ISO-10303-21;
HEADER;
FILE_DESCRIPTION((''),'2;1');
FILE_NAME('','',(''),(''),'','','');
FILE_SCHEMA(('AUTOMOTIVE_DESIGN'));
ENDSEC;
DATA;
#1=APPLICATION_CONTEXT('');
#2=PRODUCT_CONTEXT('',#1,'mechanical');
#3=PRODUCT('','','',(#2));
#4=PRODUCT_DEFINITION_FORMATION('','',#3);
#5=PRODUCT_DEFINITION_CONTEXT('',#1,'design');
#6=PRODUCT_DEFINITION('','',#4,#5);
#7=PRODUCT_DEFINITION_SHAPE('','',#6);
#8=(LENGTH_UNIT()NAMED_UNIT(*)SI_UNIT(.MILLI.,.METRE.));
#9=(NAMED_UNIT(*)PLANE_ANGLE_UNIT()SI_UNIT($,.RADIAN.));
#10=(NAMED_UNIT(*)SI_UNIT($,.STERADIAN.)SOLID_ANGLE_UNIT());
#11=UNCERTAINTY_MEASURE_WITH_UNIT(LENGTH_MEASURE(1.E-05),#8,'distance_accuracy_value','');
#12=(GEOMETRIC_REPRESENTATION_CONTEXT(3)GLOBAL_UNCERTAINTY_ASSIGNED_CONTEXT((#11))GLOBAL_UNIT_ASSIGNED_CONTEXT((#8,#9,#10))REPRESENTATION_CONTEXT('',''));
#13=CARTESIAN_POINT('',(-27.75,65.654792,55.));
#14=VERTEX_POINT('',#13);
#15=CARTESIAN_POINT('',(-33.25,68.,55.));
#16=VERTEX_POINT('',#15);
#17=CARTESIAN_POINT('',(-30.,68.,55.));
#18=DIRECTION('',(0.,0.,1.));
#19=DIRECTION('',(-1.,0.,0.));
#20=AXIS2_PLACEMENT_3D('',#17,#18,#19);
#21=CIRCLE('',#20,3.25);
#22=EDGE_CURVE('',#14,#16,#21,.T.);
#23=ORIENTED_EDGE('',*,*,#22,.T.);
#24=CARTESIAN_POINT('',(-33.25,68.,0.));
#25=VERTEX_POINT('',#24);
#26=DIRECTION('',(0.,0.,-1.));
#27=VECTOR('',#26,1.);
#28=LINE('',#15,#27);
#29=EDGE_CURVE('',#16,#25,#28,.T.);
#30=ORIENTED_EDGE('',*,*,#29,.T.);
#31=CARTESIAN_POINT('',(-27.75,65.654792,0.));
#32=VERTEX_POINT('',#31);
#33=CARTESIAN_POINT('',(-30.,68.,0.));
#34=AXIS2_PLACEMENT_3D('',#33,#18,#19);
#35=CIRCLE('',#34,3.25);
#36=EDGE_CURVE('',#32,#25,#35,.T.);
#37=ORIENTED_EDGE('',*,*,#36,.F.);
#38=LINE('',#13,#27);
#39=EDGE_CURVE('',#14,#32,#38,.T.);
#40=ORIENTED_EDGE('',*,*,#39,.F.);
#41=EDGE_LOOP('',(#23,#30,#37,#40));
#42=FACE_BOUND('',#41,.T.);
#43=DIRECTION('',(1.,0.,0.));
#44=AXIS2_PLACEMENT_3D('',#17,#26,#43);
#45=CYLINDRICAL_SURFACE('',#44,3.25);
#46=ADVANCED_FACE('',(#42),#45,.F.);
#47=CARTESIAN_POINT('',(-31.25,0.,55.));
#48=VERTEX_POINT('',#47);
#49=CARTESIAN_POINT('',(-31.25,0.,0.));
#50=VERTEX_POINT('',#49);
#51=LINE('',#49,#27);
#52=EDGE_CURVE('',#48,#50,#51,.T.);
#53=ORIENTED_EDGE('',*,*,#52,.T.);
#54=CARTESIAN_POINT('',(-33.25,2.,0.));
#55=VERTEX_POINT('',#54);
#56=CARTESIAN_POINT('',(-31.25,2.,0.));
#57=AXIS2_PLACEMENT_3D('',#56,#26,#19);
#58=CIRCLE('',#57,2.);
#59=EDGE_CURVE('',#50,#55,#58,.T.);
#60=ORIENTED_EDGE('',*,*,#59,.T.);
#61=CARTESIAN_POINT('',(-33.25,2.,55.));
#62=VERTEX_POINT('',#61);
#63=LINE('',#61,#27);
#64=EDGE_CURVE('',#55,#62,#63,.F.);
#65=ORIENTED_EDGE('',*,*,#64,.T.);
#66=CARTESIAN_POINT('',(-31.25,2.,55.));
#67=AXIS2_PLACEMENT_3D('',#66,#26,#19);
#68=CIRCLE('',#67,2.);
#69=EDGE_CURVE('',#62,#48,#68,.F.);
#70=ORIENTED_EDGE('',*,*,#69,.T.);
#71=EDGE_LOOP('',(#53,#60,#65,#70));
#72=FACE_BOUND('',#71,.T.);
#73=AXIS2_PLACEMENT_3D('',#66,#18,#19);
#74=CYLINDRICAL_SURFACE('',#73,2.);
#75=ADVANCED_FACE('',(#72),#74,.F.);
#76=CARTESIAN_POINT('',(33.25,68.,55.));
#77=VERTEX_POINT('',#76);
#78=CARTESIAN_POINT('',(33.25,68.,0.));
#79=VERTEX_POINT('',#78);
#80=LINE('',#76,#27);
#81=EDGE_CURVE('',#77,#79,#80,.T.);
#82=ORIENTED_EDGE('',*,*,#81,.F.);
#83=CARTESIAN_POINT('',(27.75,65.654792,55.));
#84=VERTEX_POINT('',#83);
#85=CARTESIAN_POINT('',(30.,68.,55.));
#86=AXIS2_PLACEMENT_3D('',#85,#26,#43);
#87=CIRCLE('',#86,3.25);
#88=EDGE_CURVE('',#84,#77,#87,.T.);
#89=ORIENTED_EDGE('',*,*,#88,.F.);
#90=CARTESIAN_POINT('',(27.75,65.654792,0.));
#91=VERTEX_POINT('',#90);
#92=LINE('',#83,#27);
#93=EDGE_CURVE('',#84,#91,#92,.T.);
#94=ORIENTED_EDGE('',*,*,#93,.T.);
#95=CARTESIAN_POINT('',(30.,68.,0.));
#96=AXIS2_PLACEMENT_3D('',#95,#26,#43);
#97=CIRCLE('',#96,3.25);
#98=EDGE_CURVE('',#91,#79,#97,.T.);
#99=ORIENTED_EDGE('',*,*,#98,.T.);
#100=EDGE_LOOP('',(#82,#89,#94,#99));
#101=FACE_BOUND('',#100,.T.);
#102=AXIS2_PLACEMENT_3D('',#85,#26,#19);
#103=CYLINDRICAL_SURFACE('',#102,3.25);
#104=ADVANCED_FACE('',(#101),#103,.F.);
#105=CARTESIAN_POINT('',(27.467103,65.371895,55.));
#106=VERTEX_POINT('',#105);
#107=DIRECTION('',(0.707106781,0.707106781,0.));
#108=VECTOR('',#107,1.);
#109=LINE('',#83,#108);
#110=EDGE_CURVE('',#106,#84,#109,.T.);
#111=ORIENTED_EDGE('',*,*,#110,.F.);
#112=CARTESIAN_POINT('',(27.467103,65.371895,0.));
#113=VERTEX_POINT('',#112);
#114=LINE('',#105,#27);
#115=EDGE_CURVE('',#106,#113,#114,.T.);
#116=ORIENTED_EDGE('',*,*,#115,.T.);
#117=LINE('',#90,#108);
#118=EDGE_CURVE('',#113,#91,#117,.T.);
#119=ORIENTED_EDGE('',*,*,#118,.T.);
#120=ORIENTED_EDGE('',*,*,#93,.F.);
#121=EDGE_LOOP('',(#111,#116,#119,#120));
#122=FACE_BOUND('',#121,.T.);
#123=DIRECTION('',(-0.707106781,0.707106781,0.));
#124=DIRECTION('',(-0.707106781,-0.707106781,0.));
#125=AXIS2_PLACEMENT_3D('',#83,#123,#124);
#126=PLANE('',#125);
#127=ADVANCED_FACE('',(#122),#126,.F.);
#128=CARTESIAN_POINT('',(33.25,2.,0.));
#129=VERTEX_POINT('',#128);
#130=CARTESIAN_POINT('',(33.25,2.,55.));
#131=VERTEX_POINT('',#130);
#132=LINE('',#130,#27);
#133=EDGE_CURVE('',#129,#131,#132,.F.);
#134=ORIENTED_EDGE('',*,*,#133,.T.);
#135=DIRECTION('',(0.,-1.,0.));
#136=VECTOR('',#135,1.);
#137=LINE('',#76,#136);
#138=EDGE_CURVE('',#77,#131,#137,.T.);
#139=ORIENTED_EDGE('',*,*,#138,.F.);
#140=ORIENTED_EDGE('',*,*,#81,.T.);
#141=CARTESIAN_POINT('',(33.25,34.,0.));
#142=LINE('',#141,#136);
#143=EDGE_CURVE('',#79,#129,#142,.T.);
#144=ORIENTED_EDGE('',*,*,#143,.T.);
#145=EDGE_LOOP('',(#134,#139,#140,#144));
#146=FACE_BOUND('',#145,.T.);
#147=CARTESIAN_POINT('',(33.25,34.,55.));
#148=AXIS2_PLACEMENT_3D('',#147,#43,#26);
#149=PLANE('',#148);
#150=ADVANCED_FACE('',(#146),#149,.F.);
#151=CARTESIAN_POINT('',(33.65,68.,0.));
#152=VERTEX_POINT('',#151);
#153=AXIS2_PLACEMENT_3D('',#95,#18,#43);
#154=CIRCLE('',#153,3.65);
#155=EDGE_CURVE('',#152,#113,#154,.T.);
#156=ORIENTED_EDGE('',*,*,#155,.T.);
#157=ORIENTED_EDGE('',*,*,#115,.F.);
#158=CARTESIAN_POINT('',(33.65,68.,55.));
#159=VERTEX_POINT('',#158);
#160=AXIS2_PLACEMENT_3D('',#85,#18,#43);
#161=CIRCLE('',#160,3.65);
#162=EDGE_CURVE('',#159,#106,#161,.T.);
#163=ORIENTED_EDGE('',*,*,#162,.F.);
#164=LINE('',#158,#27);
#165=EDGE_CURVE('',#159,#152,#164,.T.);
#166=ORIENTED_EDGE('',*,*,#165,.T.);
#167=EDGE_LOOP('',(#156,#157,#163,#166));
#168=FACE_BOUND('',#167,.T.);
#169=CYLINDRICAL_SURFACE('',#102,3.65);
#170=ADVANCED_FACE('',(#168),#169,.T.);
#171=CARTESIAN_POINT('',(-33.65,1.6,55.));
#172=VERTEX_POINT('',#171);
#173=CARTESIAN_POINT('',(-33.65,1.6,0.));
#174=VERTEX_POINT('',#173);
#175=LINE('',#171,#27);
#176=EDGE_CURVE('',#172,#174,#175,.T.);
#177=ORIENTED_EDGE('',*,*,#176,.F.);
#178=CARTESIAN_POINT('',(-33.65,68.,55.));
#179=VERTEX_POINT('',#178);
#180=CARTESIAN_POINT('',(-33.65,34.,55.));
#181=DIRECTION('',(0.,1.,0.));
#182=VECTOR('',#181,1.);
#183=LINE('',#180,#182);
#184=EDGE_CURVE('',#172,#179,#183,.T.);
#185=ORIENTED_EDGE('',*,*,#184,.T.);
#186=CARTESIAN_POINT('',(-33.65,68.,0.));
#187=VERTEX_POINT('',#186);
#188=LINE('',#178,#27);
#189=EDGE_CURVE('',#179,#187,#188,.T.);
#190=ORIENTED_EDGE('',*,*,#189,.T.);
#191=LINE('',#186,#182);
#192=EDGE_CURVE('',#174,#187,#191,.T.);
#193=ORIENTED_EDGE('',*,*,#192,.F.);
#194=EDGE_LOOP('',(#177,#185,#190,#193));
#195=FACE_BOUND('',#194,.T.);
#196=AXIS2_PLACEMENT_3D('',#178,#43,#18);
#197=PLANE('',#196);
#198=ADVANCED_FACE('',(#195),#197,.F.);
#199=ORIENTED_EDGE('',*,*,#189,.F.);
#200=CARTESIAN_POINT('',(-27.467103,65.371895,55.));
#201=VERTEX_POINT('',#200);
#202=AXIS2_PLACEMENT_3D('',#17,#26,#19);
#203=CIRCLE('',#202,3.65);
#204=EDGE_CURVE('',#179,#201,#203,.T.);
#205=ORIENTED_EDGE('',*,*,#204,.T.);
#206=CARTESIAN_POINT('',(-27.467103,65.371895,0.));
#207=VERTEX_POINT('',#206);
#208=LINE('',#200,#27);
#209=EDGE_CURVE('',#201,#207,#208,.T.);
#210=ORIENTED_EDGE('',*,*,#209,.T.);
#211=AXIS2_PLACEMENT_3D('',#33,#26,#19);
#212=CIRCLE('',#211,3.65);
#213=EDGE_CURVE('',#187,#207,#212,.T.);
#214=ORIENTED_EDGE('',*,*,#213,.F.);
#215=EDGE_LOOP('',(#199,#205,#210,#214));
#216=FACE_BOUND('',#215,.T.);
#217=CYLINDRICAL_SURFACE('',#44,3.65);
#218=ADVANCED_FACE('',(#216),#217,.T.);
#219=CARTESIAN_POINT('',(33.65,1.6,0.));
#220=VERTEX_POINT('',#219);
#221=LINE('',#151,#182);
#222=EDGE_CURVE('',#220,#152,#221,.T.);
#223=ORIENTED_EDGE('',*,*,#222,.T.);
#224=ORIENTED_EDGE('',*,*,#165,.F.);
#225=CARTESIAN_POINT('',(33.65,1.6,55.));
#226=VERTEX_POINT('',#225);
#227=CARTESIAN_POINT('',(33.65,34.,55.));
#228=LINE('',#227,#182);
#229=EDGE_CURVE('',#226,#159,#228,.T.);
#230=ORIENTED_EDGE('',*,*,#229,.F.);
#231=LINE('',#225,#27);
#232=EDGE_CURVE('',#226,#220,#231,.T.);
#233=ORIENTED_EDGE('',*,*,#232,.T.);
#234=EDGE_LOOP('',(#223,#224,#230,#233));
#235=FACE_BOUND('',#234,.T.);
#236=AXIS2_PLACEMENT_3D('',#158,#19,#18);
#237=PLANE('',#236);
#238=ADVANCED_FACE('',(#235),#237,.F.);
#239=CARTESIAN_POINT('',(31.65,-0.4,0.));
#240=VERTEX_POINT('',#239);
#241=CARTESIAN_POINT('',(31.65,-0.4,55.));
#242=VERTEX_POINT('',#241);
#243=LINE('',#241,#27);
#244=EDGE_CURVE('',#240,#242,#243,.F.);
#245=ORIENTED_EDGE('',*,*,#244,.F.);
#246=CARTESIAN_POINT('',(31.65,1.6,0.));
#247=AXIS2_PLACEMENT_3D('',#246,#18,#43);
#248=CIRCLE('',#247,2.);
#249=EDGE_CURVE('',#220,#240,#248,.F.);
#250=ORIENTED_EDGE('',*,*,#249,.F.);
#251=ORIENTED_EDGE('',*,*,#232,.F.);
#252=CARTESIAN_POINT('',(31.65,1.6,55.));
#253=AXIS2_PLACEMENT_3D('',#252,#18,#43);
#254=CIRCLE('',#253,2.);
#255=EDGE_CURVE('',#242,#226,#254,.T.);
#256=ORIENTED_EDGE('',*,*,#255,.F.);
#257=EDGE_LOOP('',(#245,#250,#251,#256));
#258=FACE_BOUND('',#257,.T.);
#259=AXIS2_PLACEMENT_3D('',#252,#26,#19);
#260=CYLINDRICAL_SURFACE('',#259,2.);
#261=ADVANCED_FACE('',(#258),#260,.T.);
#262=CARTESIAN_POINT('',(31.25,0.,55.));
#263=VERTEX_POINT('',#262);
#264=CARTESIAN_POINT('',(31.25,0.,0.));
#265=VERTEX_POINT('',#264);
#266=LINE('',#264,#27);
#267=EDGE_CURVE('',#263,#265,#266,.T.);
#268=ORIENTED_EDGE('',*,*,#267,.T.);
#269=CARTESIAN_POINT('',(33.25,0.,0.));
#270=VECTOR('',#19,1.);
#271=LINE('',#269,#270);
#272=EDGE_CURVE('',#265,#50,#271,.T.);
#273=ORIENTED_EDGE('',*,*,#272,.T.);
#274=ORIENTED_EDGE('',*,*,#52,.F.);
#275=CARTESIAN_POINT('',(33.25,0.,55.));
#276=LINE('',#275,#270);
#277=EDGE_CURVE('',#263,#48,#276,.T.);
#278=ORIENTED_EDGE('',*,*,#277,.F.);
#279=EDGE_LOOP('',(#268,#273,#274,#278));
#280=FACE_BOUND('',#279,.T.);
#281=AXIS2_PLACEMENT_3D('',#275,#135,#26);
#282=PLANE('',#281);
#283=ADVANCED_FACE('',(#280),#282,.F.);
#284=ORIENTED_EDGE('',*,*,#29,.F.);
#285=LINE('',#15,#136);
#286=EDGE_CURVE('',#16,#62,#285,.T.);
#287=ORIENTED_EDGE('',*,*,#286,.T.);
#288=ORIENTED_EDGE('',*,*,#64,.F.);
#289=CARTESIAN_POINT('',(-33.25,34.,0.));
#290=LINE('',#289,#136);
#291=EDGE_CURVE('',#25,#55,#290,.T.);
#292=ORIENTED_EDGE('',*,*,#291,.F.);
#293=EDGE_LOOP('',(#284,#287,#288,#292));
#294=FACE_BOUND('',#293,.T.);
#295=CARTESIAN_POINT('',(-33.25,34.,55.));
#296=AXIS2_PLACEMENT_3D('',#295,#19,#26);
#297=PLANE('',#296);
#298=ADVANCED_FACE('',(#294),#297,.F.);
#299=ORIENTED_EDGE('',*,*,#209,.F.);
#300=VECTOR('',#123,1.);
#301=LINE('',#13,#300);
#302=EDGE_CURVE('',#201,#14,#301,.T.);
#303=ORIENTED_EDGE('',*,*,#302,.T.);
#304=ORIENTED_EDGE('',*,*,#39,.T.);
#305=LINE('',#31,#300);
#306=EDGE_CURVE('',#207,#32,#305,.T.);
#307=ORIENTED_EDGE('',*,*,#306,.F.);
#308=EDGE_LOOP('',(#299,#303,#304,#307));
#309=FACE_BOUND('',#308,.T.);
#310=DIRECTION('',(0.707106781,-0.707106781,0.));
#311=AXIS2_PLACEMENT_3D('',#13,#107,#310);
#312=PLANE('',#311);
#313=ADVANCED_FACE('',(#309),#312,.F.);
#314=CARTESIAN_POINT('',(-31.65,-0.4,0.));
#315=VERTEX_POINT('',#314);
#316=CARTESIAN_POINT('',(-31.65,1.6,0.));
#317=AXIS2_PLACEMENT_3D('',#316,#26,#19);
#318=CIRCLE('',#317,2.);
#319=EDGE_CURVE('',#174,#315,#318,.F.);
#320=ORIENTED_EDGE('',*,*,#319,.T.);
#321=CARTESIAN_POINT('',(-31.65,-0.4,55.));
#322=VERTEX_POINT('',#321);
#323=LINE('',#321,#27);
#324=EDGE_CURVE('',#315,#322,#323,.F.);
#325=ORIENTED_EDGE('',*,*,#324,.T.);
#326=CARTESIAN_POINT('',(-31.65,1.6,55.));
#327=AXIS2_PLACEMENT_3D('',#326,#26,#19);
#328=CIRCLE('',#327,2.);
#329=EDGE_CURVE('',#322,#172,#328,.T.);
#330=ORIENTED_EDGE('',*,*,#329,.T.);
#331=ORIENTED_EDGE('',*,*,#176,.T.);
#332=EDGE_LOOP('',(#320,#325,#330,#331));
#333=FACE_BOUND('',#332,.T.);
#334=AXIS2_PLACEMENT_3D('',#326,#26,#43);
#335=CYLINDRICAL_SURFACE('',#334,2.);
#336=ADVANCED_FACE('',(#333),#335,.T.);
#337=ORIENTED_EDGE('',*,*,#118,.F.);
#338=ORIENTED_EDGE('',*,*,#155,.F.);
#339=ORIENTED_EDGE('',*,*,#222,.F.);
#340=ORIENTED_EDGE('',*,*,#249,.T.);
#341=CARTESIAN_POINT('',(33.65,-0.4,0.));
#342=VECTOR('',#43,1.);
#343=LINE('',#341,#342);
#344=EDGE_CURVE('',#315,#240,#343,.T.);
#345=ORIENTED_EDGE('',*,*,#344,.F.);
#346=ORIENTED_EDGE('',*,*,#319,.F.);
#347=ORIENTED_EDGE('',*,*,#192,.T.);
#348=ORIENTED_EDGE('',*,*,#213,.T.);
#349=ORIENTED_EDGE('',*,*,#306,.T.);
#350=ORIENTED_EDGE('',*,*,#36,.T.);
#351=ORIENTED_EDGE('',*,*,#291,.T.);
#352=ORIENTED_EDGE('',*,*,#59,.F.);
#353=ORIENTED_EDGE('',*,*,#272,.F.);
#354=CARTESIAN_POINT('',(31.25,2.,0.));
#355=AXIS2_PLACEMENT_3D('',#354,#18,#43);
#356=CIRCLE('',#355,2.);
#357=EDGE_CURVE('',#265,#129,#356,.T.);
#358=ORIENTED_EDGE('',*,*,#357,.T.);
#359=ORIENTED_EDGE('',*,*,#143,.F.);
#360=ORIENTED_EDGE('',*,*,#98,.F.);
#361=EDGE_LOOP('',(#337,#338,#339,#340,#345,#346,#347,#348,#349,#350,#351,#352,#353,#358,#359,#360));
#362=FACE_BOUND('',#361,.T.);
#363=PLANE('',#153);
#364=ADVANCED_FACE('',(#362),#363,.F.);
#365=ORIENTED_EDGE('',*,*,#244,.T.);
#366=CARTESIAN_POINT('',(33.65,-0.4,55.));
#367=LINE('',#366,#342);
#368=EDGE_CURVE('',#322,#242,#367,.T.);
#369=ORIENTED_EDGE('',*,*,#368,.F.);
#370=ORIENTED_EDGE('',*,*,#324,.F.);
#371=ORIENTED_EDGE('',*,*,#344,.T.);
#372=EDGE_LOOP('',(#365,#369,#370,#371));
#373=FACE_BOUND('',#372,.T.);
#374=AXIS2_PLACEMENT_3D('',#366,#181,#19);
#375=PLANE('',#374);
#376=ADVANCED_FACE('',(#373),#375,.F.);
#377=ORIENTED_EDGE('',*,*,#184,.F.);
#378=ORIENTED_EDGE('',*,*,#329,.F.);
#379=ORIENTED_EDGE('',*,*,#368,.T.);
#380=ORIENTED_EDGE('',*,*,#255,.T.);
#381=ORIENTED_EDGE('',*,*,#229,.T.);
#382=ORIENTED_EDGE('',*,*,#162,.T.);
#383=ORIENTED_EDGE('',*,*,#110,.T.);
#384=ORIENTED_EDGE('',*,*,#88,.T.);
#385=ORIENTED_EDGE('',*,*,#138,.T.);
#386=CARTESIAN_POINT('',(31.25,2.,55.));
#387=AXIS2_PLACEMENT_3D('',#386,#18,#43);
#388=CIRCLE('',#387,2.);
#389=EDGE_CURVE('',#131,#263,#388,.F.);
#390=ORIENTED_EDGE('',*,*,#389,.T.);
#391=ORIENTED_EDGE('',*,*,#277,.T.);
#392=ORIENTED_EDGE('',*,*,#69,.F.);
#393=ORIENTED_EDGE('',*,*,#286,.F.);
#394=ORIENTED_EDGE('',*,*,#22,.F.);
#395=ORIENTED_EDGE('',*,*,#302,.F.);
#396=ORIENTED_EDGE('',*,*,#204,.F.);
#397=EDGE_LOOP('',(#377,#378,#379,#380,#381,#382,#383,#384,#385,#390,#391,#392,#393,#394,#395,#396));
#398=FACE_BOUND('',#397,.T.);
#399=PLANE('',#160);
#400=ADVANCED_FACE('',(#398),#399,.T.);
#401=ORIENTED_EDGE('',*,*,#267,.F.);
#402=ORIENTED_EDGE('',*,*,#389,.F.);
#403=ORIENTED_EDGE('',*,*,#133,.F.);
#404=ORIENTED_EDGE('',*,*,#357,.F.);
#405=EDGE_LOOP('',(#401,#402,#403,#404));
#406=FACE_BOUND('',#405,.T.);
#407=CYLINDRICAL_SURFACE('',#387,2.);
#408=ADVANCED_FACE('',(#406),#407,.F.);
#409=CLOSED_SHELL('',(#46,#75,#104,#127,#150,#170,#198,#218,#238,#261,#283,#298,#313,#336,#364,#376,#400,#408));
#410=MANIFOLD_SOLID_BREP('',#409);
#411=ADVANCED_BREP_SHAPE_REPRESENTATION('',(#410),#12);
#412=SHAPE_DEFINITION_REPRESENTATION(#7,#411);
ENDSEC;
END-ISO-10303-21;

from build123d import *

# Parameters (mm, degrees)
BOSS_EXTRU_2_DEPTH = 55
CONG_2_R           = 2


with BuildPart() as part:
    # Esquisse1 → Boss.-Extru.2 (new body)
    with BuildSketch(Plane.XY):
        with BuildLine():
            Line((33.25, 68), (33.25, 34))
            Line((33.25, 34), (33.25, 0))
            Line((33.25, 0), (0, 0))
            Line((0, 0), (0, -0.4))
            Line((0, -0.4), (33.65, -0.4))
            Line((33.65, -0.4), (33.65, 34))
            Line((33.65, 34), (33.65, 68))
            ThreePointArc((33.65, 68), (28.572164781, 71.359134798), (27.46710324, 65.37189536))
            Line((27.46710324, 65.37189536), (27.75, 65.65479212))
            ThreePointArc((27.75, 65.65479212), (28.725245122, 70.989565186), (33.25, 68))
        make_face()
    extrude(amount=BOSS_EXTRU_2_DEPTH)

    # Congé2
    cong_2_edges = [part.edges().sort_by_distance(p)[0] for p in [
        (33.25, 0, 27.5),
        (33.65, -0.4, 27.5),
    ]]
    fillet(cong_2_edges, radius=CONG_2_R)

    # Symétrie2: part across plane


with BuildPart() as part_1:
    add(part.part)
    add(part.part.mirror(Plane(origin=(0, -0.4, 55), x_dir=(0, 0, 1), z_dir=(1, 0, 0))))


solid = part_1.part
